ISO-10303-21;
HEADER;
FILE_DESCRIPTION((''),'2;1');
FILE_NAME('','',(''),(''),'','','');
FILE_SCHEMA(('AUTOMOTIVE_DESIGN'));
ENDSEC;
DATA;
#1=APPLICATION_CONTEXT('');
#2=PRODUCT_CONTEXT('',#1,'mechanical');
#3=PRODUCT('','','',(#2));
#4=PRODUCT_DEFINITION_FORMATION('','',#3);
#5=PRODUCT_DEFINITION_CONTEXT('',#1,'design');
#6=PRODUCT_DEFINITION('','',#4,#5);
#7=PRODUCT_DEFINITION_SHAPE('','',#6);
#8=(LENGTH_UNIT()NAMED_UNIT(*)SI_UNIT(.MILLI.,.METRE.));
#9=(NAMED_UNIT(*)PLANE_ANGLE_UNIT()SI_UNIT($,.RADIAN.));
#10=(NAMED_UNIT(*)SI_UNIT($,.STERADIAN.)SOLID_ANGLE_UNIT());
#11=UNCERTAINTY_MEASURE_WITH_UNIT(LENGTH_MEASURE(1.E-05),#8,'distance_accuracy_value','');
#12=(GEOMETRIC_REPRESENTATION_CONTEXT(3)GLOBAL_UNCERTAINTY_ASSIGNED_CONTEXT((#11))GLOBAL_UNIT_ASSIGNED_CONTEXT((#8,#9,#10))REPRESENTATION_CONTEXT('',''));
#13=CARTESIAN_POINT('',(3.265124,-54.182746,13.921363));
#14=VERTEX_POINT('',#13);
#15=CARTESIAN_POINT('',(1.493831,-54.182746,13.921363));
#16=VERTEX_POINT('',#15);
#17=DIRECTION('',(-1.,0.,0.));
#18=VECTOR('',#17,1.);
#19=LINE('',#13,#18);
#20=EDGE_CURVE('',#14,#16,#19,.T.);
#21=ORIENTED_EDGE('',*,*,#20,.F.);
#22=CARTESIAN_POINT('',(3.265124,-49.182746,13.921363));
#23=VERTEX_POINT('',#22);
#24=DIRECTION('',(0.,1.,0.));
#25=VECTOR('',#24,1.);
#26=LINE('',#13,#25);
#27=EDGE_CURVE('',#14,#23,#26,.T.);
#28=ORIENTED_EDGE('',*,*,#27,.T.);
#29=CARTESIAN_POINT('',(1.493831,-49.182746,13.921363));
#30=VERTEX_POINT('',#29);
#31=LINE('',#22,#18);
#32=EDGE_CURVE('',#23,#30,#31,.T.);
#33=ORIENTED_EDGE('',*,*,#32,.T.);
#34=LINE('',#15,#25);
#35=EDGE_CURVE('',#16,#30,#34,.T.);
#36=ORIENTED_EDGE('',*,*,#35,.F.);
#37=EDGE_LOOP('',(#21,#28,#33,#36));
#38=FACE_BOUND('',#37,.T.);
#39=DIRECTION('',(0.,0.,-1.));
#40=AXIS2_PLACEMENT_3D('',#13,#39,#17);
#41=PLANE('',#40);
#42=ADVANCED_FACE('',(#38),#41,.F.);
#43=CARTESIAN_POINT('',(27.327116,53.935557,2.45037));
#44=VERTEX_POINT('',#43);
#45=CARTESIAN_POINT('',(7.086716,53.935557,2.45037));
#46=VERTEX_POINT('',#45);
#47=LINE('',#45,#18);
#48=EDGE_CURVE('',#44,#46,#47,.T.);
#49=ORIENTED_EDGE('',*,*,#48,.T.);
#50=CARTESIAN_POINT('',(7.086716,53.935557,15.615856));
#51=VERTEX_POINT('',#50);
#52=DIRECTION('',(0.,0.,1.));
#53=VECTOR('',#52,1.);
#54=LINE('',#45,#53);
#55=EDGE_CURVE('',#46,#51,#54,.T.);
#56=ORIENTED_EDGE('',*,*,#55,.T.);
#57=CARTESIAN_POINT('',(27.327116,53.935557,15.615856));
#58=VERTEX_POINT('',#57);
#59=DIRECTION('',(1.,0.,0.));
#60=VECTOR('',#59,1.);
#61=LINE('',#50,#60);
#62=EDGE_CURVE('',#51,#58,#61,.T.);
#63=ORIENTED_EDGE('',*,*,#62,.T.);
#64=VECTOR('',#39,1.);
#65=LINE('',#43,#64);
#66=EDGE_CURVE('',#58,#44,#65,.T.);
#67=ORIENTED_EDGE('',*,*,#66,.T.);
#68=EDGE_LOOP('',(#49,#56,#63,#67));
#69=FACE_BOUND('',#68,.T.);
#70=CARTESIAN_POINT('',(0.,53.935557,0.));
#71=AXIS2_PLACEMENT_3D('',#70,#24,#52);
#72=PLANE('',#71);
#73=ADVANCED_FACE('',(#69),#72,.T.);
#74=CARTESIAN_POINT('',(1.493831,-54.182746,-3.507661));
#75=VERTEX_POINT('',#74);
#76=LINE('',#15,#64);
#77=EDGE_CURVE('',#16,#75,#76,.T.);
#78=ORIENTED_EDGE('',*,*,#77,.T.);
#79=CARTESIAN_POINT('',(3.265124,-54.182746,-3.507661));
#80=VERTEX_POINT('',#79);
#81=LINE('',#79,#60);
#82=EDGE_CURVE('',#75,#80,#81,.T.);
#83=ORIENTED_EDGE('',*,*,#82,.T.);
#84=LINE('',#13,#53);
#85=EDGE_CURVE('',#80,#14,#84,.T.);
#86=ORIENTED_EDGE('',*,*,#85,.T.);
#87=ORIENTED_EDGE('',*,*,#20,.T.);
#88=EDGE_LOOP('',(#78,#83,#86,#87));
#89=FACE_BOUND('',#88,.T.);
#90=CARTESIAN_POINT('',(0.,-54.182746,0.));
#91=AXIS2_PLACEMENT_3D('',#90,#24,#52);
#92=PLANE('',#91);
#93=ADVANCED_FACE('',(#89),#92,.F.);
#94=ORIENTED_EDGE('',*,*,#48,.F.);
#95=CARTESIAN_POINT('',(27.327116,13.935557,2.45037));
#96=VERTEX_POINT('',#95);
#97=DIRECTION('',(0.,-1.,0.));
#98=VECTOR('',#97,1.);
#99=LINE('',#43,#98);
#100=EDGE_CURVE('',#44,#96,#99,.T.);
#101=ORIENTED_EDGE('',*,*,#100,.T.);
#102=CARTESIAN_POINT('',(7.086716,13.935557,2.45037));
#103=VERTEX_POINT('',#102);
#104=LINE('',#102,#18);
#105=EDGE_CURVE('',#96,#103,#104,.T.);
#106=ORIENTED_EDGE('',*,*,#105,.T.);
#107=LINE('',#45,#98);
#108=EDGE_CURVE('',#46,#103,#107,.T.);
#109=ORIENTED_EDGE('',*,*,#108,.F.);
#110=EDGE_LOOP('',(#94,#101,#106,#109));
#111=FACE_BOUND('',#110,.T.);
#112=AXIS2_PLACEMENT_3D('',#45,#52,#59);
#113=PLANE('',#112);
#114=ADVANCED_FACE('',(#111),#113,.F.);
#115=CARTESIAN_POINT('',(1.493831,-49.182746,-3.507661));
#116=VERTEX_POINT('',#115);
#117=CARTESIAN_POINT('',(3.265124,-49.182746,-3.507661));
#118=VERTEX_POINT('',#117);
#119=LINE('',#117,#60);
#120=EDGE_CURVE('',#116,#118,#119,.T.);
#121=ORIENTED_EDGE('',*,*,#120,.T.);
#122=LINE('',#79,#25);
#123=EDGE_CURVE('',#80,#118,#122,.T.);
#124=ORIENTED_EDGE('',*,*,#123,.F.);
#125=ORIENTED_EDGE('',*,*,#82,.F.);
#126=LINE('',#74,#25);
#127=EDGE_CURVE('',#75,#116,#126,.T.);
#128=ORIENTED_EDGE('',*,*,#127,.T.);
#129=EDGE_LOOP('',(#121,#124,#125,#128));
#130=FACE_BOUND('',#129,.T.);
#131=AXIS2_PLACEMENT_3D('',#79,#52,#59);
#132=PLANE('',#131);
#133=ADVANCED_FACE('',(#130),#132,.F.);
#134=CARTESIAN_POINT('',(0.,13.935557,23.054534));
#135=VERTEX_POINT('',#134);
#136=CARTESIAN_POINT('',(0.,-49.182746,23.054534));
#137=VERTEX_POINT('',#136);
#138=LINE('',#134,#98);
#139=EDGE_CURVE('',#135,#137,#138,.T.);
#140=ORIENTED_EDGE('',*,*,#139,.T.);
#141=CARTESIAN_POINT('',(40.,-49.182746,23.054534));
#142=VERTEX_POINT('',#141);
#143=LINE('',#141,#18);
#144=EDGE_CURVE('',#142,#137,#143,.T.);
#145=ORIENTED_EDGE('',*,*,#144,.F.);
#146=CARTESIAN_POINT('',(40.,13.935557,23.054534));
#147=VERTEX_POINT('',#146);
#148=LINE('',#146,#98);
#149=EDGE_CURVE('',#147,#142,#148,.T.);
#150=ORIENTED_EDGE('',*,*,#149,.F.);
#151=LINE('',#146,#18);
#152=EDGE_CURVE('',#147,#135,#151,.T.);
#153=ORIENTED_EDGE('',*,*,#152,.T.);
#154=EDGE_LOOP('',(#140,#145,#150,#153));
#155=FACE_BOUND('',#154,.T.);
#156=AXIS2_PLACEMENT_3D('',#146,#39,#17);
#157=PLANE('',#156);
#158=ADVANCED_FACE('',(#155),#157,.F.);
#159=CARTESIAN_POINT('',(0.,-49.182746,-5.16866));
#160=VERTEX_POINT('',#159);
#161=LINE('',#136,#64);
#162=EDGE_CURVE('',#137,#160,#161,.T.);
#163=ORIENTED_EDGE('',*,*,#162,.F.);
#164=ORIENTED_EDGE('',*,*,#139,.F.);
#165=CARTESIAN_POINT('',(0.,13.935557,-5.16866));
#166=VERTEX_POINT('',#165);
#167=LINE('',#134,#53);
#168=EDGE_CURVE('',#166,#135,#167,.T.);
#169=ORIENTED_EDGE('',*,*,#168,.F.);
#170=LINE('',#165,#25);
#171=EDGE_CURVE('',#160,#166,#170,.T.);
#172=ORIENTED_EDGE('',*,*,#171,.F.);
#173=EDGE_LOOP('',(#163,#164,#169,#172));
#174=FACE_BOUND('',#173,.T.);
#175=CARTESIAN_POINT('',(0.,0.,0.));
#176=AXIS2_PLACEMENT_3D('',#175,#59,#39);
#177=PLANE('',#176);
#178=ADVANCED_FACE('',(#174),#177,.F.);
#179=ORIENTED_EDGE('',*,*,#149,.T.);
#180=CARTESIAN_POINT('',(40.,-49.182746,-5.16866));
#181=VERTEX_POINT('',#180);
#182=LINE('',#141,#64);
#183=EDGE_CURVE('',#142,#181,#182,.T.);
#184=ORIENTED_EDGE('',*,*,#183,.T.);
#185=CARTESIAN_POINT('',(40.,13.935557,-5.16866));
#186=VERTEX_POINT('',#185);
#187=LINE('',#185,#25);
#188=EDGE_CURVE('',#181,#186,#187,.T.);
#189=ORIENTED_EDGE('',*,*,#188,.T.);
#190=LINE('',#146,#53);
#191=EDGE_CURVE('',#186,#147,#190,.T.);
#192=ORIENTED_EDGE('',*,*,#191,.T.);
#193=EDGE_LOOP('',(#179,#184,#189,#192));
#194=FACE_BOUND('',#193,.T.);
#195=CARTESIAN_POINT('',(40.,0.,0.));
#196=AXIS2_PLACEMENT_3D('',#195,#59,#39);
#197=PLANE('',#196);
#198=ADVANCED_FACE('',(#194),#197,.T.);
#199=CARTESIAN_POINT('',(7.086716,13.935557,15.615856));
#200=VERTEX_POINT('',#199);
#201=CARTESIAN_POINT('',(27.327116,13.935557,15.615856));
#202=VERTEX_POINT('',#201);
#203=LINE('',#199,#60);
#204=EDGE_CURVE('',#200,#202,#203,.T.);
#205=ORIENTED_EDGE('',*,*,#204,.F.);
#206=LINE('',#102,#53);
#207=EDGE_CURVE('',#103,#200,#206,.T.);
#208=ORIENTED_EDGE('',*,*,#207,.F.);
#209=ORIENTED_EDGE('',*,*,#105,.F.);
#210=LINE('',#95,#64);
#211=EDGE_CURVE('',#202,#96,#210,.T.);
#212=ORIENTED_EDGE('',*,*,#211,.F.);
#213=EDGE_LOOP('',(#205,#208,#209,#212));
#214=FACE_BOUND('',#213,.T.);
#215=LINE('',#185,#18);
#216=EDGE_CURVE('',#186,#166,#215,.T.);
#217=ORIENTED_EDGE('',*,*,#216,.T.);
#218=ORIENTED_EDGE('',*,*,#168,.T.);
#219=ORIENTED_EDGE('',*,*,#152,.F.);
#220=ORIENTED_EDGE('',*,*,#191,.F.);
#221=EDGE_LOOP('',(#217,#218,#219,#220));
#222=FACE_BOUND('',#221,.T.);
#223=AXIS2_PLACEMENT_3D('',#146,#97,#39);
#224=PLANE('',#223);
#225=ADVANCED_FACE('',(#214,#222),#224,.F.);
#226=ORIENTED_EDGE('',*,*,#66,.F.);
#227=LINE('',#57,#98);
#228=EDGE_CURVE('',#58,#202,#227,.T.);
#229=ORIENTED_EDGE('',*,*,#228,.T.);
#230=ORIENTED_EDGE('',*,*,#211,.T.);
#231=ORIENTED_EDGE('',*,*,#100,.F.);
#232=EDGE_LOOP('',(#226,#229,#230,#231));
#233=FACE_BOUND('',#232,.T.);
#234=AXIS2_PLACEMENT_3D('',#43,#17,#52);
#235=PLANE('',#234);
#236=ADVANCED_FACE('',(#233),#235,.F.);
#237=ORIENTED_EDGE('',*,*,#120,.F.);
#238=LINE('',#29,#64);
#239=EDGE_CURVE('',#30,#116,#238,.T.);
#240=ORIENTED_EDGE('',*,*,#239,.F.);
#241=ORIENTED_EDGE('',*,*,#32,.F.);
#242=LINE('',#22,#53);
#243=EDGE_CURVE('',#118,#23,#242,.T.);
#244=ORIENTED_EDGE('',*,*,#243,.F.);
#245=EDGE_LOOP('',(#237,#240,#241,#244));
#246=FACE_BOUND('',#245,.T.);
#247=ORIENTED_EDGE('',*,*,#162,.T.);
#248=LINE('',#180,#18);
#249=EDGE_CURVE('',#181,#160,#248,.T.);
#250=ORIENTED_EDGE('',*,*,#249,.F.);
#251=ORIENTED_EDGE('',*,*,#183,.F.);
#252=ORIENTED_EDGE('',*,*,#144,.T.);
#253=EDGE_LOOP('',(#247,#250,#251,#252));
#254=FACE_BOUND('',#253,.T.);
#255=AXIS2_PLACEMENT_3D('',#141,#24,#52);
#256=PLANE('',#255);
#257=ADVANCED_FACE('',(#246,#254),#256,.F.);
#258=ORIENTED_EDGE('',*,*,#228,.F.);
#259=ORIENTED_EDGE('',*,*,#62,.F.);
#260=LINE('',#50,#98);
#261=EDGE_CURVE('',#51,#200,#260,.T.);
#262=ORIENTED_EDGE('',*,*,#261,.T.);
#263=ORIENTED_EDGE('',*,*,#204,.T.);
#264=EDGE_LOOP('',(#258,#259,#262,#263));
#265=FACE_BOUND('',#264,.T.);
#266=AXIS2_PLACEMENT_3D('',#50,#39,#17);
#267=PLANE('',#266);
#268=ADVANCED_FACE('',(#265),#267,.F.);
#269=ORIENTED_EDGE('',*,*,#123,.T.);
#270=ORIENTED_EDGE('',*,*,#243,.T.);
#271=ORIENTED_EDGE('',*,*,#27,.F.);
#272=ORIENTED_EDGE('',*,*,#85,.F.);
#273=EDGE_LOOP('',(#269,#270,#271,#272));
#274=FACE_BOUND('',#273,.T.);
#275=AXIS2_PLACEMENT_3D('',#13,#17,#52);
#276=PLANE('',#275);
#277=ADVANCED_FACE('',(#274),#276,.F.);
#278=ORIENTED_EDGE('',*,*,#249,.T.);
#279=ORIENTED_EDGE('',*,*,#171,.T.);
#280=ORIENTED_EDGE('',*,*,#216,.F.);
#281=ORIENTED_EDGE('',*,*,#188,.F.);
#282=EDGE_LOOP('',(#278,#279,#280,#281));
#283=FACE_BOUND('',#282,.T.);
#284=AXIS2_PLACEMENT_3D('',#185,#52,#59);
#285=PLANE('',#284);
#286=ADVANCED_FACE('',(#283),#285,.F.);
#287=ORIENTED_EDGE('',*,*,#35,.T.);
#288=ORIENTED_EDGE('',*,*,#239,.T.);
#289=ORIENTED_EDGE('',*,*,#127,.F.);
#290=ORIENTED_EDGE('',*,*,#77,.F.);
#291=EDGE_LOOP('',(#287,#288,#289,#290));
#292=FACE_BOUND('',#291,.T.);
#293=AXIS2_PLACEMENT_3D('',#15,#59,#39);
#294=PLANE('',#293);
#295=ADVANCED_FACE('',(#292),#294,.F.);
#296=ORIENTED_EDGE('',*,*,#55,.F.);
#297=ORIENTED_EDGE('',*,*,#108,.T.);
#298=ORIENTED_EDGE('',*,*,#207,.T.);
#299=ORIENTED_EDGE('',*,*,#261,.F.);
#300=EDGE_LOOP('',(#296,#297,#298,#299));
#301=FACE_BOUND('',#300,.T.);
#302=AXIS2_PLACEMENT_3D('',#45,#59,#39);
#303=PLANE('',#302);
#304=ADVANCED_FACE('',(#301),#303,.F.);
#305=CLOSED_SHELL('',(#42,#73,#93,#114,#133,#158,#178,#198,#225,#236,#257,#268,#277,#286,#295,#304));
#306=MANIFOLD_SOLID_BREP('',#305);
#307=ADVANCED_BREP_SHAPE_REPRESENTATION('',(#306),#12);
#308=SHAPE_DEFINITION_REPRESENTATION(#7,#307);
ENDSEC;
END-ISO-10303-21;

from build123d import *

# Parameters (mm, degrees)
SKETCH2_W           = 28.223194522
SKETCH2_H           = 63.118302446
BOSS_EXTRUDE1_DEPTH = 40
SKETCH3_W           = 20.240399561
SKETCH3_H           = 13.165486444
BOSS_EXTRUDE2_DEPTH = 40
SKETCH4_W           = 1.771293225
SKETCH4_H           = 17.429024706
BOSS_EXTRUDE3_DEPTH = 5


with BuildPart() as part:
    # Sketch2 → Boss-Extrude1 (new body)
    with BuildSketch(Plane(origin=(0, 0, 0), x_dir=(0, 0, -1), z_dir=(1, 0, 0))):
        with Locations((-8.942937098, -17.623594379)):
            Rectangle(SKETCH2_W, SKETCH2_H)
    extrude(amount=BOSS_EXTRUDE1_DEPTH)

    # Sketch3 → Boss-Extrude2 (add)
    with BuildSketch(Plane(origin=(0, 13.935556844, 0), x_dir=(1, 0, 0), z_dir=(0, 1, 0))):
        with Locations((17.206915962, -9.033113003)):
            Rectangle(SKETCH3_W, SKETCH3_H)
    extrude(amount=BOSS_EXTRUDE2_DEPTH)

    # Sketch4 → Boss-Extrude3 (add)
    with BuildSketch(Plane(origin=(0, -49.182745602, 0), x_dir=(-1, 0, 0), z_dir=(0, -1, 0))):
        with Locations((-2.379477455, -5.206851056)):
            Rectangle(SKETCH4_W, SKETCH4_H)
    extrude(amount=BOSS_EXTRUDE3_DEPTH)


solid = part.part
